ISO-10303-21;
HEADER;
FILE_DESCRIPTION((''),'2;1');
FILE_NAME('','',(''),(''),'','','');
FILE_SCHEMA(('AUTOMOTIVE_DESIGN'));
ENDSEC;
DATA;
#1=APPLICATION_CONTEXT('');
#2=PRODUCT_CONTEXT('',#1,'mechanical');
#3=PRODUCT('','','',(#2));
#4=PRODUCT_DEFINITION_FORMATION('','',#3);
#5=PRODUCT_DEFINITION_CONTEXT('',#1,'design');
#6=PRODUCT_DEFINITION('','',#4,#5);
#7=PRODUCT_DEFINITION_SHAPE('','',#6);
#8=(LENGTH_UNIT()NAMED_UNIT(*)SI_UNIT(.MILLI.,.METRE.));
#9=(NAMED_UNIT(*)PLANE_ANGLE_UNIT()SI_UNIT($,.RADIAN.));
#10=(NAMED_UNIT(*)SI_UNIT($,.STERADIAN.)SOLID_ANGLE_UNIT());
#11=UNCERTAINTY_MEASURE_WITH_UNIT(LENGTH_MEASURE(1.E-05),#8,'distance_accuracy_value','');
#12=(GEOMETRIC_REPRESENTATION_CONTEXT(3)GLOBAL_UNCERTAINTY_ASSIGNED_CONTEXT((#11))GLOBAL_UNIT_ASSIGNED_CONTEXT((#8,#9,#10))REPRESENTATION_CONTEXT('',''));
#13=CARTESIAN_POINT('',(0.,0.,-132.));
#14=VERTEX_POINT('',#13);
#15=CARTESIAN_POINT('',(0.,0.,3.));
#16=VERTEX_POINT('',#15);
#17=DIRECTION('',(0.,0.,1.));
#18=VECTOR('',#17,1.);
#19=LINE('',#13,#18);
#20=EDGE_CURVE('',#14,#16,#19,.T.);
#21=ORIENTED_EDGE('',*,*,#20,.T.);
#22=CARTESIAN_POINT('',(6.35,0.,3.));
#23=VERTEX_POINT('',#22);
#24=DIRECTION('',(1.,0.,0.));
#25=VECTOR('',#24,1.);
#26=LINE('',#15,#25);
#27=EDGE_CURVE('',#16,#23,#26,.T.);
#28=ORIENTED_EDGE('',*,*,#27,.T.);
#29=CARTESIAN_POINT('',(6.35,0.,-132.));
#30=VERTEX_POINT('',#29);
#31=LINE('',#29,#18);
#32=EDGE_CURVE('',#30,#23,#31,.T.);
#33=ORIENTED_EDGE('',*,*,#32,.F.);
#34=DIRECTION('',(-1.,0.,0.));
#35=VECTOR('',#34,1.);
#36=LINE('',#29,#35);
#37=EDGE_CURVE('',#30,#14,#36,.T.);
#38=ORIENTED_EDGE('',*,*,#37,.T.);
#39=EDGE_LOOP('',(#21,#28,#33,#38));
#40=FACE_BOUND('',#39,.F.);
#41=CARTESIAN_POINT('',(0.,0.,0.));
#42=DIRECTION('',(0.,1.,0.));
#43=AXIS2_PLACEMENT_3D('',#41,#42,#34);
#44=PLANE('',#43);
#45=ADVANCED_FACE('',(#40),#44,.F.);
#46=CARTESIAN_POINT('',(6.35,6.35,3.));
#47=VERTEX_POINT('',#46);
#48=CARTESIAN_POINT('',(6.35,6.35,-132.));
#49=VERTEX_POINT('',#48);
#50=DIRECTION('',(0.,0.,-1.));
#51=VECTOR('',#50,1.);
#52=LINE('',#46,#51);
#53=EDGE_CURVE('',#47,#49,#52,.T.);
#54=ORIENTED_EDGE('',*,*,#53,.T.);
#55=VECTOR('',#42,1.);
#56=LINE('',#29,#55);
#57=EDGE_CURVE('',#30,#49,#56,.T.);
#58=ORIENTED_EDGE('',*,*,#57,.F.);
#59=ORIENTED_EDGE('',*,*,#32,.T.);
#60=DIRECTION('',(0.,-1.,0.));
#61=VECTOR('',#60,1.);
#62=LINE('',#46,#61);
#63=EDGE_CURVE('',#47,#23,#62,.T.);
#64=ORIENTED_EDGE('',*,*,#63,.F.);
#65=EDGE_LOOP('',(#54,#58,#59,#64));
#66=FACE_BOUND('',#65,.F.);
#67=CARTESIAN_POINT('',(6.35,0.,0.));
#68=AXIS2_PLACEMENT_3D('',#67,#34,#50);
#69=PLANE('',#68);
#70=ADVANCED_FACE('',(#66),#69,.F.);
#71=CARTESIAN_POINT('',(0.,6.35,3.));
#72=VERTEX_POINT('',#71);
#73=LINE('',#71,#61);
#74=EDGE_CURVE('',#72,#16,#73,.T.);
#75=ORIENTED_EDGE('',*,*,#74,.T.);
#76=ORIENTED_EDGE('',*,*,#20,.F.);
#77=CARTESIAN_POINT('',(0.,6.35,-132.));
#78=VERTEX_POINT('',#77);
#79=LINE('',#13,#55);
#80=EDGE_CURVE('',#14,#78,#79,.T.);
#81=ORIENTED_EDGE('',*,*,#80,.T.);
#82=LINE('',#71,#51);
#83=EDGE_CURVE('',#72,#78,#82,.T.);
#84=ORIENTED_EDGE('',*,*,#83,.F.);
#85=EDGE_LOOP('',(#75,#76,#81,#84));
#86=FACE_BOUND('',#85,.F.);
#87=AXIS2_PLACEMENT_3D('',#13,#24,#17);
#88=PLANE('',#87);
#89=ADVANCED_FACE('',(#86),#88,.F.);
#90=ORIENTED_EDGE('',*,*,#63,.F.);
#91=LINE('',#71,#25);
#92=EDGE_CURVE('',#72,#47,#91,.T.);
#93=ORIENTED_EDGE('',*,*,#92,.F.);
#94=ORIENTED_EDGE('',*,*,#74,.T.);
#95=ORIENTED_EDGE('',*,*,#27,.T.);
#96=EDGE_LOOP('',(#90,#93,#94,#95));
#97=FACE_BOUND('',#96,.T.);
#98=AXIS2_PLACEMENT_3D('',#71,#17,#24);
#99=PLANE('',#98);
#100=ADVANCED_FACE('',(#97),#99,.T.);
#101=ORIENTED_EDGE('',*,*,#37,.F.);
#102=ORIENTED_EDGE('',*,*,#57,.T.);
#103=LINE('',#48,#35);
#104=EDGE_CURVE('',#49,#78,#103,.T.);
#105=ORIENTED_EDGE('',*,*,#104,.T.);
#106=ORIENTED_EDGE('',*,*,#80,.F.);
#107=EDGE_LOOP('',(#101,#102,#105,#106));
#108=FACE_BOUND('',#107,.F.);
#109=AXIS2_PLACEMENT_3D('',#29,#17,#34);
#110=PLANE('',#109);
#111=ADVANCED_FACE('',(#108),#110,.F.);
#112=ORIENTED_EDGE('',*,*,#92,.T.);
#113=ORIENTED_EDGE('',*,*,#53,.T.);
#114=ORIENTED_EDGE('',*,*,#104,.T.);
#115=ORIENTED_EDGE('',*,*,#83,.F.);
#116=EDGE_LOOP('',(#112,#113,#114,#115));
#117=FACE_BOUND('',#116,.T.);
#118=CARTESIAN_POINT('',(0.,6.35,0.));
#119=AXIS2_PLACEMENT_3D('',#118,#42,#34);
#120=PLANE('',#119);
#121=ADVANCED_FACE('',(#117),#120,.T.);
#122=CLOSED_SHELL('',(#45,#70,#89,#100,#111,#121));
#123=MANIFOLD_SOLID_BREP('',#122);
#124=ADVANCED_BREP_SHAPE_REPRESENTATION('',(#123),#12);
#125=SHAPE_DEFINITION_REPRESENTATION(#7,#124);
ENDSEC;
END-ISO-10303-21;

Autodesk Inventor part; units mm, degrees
ref_plane "YZ Plane" through (0, 0, 0) normal (1, 0, 0) x (0, 1, 0)
ref_plane "XZ Plane" through (0, 0, 0) normal (0, 1, 0) x (-1, 0, 0)
ref_plane "XY Plane" through (0, 0, 0) normal (0, 0, 1) x (1, 0, 0)
sketch "Sketch1" plane through (0, 0, 0) normal (0, 1, 0) x (-1, 0, 0)
  line L0 (0, 0) -> (-6.35, 0)
  line L1 (-6.35, 0) -> (-6.35, -132)
  line L2 (-6.35, -132) -> (0, -132)
  line L3 (0, -132) -> (0, 0)
  dimension "d0" = 6.35
  dimension "d1" = 132
extrude "Extrusion1" add sketch "Sketch1" along normal blind 6.35
sketch "Sketch2" plane through (0, 6.35, 0) normal (0, 1, 0) x (1, 0, 0)
  line L0 (0, 132) -> (0, 0) projected
  line L1 (0, 0) -> (0, -3)
  line L2 (0, -3) -> (6.35, -3)
  line L3 (6.35, 0) -> (6.35, 132) projected
  line L4 (6.35, -3) -> (6.35, 0)
  line L5 (0, 0) -> (6.35, 0) projected
  line L6 (6.35, 0) -> (0, 0)
  dimension "d5" = 3
extrude "Extrusion2" add sketch "Sketch2" against normal blind 6.35
properties part number "Bottom support"
